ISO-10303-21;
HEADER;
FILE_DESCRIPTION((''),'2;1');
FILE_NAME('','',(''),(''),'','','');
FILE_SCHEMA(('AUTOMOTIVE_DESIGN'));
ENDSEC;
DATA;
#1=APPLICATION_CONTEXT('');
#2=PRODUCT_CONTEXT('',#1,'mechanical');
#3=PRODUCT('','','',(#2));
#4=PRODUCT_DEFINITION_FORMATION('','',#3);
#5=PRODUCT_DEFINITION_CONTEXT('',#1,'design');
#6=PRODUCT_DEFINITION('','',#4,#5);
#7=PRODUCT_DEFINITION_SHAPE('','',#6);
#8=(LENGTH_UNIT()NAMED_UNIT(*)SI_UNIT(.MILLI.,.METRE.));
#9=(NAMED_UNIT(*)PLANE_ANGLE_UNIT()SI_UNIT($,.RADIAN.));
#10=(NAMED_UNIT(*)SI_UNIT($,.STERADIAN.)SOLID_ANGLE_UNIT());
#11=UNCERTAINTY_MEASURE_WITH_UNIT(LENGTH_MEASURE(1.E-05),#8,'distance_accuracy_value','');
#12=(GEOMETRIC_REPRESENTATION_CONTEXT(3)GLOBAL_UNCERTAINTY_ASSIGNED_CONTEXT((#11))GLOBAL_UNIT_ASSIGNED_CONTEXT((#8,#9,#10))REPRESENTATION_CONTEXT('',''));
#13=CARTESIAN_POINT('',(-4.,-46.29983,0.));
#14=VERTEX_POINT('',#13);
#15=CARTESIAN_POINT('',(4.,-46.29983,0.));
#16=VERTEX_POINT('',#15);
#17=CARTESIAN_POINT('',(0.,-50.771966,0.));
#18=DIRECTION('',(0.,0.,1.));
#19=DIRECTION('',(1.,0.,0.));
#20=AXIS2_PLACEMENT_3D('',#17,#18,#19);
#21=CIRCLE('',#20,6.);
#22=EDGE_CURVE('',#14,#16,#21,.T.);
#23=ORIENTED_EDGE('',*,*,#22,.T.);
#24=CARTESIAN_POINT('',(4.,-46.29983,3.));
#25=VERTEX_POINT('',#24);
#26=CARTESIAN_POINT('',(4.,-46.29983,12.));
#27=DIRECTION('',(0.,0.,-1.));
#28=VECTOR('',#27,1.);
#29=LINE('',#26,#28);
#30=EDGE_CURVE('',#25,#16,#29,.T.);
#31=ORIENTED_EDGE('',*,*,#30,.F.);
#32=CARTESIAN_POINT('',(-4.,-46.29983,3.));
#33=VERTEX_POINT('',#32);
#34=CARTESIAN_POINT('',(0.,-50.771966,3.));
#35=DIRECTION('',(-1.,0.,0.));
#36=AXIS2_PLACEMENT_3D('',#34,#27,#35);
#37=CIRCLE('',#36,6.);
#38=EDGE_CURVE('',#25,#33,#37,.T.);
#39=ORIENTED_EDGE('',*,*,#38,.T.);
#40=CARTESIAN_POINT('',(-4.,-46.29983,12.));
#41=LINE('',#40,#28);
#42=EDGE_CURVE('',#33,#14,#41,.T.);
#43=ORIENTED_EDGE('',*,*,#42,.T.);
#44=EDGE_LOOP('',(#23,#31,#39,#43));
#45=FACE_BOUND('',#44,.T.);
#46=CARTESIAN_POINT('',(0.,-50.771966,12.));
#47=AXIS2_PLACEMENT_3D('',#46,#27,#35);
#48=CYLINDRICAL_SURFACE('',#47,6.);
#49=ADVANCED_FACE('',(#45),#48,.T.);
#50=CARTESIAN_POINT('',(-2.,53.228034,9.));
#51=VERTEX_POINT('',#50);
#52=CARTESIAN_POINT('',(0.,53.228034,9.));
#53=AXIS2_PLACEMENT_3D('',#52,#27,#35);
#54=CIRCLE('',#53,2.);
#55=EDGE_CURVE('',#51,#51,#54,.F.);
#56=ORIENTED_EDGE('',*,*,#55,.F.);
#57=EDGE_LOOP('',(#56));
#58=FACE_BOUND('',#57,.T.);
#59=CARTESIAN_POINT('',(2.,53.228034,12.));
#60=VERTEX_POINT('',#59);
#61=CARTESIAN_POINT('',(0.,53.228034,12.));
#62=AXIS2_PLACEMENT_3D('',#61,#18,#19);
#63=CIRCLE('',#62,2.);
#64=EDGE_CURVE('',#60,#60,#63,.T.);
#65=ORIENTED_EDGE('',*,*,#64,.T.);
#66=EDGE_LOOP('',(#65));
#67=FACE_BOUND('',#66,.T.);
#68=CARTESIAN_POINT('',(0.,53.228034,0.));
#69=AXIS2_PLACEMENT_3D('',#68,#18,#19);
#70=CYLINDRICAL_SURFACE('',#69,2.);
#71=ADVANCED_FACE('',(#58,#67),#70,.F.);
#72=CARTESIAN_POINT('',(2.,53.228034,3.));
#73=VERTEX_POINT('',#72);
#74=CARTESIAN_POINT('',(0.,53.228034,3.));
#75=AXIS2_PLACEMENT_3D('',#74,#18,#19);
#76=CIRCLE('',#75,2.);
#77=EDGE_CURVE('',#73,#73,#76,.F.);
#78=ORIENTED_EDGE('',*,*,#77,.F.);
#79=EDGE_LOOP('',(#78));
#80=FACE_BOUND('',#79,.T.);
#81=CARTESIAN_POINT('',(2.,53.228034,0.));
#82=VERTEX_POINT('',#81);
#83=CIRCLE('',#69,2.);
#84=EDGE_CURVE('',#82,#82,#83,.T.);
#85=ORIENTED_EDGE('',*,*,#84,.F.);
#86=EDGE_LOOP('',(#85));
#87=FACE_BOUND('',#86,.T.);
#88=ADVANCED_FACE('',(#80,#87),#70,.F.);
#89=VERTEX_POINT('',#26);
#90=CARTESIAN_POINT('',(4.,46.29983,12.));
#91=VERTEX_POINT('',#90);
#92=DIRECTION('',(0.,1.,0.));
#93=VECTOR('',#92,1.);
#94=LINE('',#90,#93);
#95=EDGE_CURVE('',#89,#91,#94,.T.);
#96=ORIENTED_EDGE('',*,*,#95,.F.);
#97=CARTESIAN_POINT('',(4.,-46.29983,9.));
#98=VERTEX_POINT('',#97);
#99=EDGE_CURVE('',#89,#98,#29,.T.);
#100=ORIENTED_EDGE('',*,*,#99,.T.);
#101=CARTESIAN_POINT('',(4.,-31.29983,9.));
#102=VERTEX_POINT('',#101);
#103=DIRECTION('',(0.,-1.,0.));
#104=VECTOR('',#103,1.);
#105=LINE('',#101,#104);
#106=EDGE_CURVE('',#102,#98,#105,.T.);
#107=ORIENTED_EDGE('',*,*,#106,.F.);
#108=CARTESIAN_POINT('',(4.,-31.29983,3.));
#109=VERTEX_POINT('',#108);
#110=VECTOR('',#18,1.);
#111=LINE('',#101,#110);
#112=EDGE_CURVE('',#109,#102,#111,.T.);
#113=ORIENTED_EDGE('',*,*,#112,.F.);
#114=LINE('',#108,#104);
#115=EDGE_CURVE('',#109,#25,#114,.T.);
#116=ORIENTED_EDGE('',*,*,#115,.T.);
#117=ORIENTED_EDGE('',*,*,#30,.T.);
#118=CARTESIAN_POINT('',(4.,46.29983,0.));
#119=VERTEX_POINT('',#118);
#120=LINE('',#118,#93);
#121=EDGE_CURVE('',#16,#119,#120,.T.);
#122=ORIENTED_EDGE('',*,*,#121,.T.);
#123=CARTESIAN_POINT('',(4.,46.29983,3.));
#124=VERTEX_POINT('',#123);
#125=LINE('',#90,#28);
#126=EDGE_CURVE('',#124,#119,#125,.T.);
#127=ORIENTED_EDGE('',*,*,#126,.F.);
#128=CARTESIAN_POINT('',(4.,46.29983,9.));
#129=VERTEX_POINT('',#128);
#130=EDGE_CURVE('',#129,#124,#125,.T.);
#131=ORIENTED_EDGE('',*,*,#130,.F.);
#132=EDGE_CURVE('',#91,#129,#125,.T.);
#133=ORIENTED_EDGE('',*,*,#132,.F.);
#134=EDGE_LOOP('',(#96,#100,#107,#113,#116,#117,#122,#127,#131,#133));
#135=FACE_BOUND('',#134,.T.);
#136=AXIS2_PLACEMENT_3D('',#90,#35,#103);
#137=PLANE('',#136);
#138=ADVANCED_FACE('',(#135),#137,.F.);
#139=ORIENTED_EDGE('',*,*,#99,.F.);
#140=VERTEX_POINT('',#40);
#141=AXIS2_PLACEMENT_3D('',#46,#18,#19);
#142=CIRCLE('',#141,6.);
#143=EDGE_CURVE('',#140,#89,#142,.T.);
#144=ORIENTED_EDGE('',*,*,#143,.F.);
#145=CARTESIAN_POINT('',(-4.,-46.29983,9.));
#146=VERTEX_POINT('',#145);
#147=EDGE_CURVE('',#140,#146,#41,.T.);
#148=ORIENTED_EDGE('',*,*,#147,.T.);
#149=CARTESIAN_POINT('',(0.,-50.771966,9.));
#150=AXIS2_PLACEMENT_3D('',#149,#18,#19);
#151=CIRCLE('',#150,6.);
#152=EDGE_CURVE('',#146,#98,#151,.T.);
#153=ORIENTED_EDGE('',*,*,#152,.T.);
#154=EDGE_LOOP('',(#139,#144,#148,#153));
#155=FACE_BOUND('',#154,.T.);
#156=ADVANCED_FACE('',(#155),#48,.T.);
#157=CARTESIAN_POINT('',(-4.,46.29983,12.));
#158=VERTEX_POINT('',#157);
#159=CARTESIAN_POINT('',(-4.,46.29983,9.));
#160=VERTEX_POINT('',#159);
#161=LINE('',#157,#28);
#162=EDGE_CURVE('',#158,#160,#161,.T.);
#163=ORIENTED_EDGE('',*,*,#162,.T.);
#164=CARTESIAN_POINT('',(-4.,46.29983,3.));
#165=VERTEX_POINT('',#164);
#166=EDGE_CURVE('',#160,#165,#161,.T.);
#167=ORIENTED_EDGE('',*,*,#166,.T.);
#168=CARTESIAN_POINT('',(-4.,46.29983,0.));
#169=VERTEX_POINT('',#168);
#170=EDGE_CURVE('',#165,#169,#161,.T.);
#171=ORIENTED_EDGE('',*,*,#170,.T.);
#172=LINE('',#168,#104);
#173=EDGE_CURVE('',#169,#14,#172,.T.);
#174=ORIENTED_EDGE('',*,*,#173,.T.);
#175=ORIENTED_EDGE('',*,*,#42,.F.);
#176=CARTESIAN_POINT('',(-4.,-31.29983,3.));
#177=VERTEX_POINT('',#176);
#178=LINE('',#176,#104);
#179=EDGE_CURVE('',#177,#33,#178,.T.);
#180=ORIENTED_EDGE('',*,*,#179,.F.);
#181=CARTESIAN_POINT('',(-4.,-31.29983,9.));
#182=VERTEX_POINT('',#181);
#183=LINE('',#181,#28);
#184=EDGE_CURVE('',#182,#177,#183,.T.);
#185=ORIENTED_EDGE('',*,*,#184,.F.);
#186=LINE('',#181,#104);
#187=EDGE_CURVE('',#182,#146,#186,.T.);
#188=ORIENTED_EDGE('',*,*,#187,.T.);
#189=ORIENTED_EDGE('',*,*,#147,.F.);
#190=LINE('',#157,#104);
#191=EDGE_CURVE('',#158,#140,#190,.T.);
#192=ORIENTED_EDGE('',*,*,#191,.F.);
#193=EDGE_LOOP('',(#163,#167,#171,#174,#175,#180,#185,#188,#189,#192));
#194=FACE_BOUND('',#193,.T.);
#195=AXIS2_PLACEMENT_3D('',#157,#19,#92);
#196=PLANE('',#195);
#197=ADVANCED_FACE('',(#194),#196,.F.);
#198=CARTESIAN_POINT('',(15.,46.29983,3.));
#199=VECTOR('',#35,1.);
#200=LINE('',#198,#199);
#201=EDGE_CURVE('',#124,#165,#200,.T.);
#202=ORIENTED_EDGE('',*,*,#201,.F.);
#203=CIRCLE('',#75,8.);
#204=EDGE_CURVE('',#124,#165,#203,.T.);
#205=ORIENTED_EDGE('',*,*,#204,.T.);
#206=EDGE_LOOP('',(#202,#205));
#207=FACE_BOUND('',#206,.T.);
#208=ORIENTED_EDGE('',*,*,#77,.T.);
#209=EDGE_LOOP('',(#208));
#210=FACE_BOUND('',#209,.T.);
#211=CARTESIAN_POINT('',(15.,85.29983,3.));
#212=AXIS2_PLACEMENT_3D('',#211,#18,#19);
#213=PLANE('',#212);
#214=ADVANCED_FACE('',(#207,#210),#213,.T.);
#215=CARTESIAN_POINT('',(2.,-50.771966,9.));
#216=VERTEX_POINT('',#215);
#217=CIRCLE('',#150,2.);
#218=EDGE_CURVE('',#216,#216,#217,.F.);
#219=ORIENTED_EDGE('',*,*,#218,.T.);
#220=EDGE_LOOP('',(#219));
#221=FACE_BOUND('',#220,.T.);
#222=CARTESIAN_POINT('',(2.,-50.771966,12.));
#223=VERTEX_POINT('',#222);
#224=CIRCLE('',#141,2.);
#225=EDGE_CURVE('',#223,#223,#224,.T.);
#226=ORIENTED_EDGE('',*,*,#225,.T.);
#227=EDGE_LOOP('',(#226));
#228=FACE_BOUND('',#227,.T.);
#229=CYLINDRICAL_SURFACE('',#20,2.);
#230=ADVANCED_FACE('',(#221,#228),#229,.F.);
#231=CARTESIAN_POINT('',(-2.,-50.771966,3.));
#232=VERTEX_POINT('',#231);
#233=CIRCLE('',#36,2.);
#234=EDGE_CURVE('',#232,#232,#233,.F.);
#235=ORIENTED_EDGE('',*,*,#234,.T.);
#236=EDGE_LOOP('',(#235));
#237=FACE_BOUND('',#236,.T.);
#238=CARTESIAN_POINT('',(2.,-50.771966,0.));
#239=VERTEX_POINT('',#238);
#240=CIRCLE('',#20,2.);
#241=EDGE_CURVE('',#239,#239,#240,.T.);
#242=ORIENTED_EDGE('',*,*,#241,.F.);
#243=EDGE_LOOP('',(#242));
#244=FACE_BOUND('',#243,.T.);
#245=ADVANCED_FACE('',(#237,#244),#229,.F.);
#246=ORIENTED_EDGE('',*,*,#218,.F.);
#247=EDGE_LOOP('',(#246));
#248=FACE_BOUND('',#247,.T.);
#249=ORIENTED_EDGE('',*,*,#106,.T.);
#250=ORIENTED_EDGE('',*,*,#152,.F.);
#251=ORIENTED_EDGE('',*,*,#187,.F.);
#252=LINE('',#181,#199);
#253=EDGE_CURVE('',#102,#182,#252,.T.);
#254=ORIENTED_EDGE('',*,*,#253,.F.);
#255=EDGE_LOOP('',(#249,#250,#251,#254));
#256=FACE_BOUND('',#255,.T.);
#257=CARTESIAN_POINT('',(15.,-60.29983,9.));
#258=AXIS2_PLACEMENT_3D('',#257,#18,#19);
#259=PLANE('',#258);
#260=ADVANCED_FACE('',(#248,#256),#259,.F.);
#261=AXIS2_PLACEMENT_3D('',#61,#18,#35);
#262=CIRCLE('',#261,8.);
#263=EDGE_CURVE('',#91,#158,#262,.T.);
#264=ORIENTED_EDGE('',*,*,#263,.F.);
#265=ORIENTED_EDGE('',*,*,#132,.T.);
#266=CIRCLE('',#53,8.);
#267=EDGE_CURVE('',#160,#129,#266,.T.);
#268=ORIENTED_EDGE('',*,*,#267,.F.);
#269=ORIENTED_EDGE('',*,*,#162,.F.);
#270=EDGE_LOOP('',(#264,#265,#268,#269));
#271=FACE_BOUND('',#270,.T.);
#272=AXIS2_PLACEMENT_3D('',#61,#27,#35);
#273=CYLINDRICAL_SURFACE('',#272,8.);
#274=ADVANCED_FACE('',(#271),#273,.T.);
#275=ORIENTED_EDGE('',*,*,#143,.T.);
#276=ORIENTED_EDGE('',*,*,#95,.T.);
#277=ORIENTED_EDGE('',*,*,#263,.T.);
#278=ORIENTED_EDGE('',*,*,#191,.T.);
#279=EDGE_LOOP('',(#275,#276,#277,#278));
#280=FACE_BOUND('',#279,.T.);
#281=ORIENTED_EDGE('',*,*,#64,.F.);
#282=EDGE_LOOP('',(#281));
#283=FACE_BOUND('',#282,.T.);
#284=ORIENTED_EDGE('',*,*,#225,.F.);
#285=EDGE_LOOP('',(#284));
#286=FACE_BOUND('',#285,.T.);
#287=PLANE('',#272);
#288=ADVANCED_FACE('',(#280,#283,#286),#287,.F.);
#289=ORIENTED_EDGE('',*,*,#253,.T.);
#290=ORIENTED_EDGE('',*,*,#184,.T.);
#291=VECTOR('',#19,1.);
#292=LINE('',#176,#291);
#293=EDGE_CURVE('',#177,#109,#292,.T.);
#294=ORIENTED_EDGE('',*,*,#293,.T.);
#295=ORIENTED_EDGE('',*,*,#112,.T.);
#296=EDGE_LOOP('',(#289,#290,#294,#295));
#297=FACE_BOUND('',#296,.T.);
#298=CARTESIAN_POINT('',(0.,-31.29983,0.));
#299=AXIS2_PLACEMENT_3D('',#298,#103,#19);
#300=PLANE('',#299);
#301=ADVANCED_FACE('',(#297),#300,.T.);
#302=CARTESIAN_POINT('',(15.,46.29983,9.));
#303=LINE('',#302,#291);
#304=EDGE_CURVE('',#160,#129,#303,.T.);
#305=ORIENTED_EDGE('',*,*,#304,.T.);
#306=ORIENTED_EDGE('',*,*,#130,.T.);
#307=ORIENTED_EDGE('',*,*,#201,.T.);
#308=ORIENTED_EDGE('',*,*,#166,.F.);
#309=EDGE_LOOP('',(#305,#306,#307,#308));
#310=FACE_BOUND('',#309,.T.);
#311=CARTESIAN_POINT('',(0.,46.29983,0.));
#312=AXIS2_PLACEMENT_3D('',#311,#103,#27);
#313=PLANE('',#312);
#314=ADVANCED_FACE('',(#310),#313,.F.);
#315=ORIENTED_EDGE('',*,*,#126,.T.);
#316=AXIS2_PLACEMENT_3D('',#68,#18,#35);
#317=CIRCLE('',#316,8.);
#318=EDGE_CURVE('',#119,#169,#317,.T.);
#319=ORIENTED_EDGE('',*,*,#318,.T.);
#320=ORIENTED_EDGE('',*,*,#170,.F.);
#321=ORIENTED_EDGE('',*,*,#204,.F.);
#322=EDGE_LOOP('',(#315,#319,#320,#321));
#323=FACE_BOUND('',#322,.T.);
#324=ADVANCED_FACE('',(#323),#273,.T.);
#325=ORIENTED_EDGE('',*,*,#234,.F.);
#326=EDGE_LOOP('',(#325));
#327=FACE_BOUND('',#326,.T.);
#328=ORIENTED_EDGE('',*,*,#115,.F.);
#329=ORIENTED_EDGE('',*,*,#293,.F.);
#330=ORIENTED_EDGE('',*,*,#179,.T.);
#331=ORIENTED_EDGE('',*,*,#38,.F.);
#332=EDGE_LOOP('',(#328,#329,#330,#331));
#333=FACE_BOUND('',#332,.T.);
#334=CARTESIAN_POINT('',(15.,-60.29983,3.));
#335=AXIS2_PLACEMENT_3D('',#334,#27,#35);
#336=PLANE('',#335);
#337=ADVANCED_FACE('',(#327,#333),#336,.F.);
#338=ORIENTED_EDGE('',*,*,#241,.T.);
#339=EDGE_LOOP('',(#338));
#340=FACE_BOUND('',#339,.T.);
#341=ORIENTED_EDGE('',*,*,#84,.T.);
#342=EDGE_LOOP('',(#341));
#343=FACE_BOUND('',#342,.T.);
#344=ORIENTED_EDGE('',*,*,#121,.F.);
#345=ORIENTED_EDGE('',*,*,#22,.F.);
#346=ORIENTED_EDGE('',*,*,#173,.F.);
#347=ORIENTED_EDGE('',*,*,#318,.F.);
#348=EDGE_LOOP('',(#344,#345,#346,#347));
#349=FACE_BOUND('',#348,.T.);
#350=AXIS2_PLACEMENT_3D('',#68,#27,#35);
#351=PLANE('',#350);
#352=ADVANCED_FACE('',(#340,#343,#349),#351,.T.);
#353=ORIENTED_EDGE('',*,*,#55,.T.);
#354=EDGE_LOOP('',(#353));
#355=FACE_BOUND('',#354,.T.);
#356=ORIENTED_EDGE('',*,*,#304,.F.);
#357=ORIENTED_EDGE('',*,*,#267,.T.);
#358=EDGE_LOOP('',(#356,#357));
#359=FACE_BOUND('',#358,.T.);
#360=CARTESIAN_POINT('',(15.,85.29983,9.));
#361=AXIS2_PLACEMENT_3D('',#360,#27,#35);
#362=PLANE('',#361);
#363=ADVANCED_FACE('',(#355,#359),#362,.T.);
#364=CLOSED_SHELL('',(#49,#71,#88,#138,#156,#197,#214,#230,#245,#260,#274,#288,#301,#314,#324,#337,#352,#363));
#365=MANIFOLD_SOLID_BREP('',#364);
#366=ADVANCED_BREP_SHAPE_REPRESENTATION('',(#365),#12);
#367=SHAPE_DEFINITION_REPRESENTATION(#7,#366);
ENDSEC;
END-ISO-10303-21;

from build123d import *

# Parameters (mm, degrees)
SALIENTE_EXTRUIR1_DEPTH = 12
CROQUIS3_R              = 2
CORTAR_EXTRUIR1_DEPTH   = 63.903673209
CROQUIS4_W              = 30
CROQUIS4_H              = 6
CORTAR_EXTRUIR2_DEPTH   = 14
CROQUIS5_W              = 8
CROQUIS5_H              = 6
CORTAR_EXTRUIR3_DEPTH   = 15
CROQUIS8_W              = 30
CROQUIS8_H              = 6
CORTAR_EXTRUIR6_DEPTH   = 39


with BuildPart() as part:
    # Croquis1 → Saliente-Extruir1 (new body)
    with BuildSketch(Plane.XY):
        with BuildLine():
            Line((-4, 46.299830407), (-4, -46.299830407))
            ThreePointArc((-4, -46.299830407), (0, -56.771966362), (4, -46.299830407))
            Line((4, -46.299830407), (4, 46.299830407))
            ThreePointArc((4, 46.299830407), (0, 61.228033638), (-4, 46.299830407))
        make_face()
    extrude(amount=SALIENTE_EXTRUIR1_DEPTH)

    # Croquis3 → Cortar-Extruir1 (cut, through all)
    with BuildSketch(Plane.XY.offset(12)):
        with Locations((0, 53.228033638)):
            Circle(CROQUIS3_R)
        with Locations((0, -50.771966362)):
            Circle(CROQUIS3_R)
    extrude(amount=-CORTAR_EXTRUIR1_DEPTH, mode=Mode.SUBTRACT)

    # Croquis4 → Cortar-Extruir2 (cut)
    with BuildSketch(Plane(origin=(0, -46.299830407, 0), x_dir=(1, 0, 0), z_dir=(0, 1, 0))):
        with Locations((0, -6)):
            Rectangle(CROQUIS4_W, CROQUIS4_H)
    extrude(amount=-CORTAR_EXTRUIR2_DEPTH, mode=Mode.SUBTRACT)

    # Croquis5 → Cortar-Extruir3 (cut)
    with BuildSketch(Plane.XZ.offset(46.299830407)):
        with Locations((0, 6)):
            Rectangle(CROQUIS5_W, CROQUIS5_H)
    extrude(amount=-CORTAR_EXTRUIR3_DEPTH, mode=Mode.SUBTRACT)

    # Croquis8 → Cortar-Extruir6 (cut)
    with BuildSketch(Plane(origin=(0, 46.299830407, 0), x_dir=(1, 0, 0), z_dir=(0, 1, 0))):
        with Locations((0, -6)):
            Rectangle(CROQUIS8_W, CROQUIS8_H)
    extrude(amount=CORTAR_EXTRUIR6_DEPTH, mode=Mode.SUBTRACT)


solid = part.part
